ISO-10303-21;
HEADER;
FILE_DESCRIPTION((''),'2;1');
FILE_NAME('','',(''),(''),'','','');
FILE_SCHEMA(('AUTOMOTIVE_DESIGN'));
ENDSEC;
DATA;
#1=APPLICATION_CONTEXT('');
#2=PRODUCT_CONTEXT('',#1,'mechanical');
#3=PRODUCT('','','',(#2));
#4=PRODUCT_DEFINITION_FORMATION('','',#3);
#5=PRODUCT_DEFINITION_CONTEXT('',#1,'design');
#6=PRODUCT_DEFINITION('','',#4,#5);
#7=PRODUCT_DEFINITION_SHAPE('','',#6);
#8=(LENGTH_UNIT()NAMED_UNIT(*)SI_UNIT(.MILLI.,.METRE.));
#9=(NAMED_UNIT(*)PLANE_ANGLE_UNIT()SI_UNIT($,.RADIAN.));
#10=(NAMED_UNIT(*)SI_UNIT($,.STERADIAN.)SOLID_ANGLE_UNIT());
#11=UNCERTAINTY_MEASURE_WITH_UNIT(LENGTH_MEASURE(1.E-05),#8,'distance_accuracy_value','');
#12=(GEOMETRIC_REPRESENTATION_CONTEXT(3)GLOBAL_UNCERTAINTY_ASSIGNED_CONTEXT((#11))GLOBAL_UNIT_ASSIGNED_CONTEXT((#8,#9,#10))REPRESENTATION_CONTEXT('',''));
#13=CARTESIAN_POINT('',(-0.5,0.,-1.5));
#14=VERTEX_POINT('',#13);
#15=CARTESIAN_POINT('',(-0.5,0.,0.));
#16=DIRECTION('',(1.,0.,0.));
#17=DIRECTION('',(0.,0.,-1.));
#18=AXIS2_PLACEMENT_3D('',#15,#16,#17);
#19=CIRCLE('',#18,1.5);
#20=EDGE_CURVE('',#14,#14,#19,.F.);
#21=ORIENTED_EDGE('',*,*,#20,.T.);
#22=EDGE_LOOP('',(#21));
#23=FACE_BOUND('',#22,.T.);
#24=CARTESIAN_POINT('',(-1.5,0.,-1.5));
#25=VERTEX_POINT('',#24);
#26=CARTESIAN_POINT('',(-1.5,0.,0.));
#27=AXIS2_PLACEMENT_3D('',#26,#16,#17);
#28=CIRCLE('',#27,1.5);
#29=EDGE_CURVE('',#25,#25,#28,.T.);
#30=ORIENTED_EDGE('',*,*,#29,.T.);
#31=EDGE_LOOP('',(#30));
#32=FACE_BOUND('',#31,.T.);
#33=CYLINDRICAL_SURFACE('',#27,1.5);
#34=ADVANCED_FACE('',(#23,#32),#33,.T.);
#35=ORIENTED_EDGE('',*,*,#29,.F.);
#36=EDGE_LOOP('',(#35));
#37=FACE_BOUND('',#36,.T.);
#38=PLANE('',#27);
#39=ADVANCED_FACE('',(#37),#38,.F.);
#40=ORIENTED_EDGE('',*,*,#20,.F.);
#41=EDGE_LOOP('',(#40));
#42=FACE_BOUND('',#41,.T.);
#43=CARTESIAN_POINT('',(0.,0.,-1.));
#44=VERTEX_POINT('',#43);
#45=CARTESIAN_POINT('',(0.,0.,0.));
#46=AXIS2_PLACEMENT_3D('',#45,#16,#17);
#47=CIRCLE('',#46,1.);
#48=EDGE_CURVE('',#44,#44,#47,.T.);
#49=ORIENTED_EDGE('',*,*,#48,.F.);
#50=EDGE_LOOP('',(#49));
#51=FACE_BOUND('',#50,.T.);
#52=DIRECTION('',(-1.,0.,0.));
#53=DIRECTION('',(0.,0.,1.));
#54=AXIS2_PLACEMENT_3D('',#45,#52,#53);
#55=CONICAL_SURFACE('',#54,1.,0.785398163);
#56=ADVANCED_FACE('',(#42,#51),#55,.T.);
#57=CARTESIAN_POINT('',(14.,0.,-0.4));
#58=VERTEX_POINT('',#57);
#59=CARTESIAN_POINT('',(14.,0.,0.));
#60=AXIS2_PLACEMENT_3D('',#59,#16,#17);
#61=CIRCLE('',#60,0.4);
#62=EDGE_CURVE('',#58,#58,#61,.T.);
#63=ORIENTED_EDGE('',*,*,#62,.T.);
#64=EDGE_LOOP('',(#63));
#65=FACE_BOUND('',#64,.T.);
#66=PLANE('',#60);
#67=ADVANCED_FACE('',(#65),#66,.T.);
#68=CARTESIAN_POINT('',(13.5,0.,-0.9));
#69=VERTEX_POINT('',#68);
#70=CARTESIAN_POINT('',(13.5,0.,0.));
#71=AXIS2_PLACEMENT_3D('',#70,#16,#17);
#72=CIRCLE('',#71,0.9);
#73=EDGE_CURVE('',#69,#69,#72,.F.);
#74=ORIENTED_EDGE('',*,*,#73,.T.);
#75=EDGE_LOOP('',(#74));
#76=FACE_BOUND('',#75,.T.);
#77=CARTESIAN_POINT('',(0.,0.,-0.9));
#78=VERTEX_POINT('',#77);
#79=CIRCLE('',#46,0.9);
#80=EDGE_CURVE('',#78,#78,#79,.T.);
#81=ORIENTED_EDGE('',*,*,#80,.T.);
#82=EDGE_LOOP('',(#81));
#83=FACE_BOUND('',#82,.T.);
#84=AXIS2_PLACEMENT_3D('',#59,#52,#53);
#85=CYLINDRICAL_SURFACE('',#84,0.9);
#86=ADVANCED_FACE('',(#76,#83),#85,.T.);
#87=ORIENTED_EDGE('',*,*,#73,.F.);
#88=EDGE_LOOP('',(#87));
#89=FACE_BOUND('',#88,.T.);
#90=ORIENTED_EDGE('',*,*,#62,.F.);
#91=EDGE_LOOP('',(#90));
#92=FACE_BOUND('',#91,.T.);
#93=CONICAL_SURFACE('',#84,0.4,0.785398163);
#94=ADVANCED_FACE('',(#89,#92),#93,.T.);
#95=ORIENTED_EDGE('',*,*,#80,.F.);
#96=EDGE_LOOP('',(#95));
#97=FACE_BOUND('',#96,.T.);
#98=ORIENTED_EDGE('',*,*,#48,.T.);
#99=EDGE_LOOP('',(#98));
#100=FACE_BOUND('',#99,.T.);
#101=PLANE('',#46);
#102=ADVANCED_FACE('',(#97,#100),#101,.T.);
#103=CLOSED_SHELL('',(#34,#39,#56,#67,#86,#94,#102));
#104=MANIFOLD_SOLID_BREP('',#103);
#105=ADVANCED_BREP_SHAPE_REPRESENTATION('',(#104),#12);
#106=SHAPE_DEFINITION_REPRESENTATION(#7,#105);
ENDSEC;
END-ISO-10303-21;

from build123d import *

# Parameters (mm, degrees)
SKETCH1_R           = 0.9
BOSS_EXTRUDE1_DEPTH = 14
SKETCH2_R           = 1.5
BOSS_EXTRUDE2_DEPTH = 1.5
CHAMFER1_SIZE       = 0.5


with BuildPart() as part:
    # Sketch1 → Boss-Extrude1 (new body)
    with BuildSketch(Plane(origin=(0, 0, 0), x_dir=(0, 0, -1), z_dir=(1, 0, 0))):
        Circle(SKETCH1_R)
    extrude(amount=BOSS_EXTRUDE1_DEPTH)

    # Sketch2 → Boss-Extrude2 (add)
    with BuildSketch(Plane(origin=(0, 0, 0), x_dir=(0, 0, -1), z_dir=(1, 0, 0))):
        Circle(SKETCH2_R)
    extrude(amount=-BOSS_EXTRUDE2_DEPTH)

    # Chamfer1
    chamfer1_edges = [part.edges().sort_by_distance(p)[0] for p in [
        (14, 0, 0.9),
        (0, 0, 1.5),
    ]]
    chamfer(chamfer1_edges, length=CHAMFER1_SIZE)


solid = part.part
